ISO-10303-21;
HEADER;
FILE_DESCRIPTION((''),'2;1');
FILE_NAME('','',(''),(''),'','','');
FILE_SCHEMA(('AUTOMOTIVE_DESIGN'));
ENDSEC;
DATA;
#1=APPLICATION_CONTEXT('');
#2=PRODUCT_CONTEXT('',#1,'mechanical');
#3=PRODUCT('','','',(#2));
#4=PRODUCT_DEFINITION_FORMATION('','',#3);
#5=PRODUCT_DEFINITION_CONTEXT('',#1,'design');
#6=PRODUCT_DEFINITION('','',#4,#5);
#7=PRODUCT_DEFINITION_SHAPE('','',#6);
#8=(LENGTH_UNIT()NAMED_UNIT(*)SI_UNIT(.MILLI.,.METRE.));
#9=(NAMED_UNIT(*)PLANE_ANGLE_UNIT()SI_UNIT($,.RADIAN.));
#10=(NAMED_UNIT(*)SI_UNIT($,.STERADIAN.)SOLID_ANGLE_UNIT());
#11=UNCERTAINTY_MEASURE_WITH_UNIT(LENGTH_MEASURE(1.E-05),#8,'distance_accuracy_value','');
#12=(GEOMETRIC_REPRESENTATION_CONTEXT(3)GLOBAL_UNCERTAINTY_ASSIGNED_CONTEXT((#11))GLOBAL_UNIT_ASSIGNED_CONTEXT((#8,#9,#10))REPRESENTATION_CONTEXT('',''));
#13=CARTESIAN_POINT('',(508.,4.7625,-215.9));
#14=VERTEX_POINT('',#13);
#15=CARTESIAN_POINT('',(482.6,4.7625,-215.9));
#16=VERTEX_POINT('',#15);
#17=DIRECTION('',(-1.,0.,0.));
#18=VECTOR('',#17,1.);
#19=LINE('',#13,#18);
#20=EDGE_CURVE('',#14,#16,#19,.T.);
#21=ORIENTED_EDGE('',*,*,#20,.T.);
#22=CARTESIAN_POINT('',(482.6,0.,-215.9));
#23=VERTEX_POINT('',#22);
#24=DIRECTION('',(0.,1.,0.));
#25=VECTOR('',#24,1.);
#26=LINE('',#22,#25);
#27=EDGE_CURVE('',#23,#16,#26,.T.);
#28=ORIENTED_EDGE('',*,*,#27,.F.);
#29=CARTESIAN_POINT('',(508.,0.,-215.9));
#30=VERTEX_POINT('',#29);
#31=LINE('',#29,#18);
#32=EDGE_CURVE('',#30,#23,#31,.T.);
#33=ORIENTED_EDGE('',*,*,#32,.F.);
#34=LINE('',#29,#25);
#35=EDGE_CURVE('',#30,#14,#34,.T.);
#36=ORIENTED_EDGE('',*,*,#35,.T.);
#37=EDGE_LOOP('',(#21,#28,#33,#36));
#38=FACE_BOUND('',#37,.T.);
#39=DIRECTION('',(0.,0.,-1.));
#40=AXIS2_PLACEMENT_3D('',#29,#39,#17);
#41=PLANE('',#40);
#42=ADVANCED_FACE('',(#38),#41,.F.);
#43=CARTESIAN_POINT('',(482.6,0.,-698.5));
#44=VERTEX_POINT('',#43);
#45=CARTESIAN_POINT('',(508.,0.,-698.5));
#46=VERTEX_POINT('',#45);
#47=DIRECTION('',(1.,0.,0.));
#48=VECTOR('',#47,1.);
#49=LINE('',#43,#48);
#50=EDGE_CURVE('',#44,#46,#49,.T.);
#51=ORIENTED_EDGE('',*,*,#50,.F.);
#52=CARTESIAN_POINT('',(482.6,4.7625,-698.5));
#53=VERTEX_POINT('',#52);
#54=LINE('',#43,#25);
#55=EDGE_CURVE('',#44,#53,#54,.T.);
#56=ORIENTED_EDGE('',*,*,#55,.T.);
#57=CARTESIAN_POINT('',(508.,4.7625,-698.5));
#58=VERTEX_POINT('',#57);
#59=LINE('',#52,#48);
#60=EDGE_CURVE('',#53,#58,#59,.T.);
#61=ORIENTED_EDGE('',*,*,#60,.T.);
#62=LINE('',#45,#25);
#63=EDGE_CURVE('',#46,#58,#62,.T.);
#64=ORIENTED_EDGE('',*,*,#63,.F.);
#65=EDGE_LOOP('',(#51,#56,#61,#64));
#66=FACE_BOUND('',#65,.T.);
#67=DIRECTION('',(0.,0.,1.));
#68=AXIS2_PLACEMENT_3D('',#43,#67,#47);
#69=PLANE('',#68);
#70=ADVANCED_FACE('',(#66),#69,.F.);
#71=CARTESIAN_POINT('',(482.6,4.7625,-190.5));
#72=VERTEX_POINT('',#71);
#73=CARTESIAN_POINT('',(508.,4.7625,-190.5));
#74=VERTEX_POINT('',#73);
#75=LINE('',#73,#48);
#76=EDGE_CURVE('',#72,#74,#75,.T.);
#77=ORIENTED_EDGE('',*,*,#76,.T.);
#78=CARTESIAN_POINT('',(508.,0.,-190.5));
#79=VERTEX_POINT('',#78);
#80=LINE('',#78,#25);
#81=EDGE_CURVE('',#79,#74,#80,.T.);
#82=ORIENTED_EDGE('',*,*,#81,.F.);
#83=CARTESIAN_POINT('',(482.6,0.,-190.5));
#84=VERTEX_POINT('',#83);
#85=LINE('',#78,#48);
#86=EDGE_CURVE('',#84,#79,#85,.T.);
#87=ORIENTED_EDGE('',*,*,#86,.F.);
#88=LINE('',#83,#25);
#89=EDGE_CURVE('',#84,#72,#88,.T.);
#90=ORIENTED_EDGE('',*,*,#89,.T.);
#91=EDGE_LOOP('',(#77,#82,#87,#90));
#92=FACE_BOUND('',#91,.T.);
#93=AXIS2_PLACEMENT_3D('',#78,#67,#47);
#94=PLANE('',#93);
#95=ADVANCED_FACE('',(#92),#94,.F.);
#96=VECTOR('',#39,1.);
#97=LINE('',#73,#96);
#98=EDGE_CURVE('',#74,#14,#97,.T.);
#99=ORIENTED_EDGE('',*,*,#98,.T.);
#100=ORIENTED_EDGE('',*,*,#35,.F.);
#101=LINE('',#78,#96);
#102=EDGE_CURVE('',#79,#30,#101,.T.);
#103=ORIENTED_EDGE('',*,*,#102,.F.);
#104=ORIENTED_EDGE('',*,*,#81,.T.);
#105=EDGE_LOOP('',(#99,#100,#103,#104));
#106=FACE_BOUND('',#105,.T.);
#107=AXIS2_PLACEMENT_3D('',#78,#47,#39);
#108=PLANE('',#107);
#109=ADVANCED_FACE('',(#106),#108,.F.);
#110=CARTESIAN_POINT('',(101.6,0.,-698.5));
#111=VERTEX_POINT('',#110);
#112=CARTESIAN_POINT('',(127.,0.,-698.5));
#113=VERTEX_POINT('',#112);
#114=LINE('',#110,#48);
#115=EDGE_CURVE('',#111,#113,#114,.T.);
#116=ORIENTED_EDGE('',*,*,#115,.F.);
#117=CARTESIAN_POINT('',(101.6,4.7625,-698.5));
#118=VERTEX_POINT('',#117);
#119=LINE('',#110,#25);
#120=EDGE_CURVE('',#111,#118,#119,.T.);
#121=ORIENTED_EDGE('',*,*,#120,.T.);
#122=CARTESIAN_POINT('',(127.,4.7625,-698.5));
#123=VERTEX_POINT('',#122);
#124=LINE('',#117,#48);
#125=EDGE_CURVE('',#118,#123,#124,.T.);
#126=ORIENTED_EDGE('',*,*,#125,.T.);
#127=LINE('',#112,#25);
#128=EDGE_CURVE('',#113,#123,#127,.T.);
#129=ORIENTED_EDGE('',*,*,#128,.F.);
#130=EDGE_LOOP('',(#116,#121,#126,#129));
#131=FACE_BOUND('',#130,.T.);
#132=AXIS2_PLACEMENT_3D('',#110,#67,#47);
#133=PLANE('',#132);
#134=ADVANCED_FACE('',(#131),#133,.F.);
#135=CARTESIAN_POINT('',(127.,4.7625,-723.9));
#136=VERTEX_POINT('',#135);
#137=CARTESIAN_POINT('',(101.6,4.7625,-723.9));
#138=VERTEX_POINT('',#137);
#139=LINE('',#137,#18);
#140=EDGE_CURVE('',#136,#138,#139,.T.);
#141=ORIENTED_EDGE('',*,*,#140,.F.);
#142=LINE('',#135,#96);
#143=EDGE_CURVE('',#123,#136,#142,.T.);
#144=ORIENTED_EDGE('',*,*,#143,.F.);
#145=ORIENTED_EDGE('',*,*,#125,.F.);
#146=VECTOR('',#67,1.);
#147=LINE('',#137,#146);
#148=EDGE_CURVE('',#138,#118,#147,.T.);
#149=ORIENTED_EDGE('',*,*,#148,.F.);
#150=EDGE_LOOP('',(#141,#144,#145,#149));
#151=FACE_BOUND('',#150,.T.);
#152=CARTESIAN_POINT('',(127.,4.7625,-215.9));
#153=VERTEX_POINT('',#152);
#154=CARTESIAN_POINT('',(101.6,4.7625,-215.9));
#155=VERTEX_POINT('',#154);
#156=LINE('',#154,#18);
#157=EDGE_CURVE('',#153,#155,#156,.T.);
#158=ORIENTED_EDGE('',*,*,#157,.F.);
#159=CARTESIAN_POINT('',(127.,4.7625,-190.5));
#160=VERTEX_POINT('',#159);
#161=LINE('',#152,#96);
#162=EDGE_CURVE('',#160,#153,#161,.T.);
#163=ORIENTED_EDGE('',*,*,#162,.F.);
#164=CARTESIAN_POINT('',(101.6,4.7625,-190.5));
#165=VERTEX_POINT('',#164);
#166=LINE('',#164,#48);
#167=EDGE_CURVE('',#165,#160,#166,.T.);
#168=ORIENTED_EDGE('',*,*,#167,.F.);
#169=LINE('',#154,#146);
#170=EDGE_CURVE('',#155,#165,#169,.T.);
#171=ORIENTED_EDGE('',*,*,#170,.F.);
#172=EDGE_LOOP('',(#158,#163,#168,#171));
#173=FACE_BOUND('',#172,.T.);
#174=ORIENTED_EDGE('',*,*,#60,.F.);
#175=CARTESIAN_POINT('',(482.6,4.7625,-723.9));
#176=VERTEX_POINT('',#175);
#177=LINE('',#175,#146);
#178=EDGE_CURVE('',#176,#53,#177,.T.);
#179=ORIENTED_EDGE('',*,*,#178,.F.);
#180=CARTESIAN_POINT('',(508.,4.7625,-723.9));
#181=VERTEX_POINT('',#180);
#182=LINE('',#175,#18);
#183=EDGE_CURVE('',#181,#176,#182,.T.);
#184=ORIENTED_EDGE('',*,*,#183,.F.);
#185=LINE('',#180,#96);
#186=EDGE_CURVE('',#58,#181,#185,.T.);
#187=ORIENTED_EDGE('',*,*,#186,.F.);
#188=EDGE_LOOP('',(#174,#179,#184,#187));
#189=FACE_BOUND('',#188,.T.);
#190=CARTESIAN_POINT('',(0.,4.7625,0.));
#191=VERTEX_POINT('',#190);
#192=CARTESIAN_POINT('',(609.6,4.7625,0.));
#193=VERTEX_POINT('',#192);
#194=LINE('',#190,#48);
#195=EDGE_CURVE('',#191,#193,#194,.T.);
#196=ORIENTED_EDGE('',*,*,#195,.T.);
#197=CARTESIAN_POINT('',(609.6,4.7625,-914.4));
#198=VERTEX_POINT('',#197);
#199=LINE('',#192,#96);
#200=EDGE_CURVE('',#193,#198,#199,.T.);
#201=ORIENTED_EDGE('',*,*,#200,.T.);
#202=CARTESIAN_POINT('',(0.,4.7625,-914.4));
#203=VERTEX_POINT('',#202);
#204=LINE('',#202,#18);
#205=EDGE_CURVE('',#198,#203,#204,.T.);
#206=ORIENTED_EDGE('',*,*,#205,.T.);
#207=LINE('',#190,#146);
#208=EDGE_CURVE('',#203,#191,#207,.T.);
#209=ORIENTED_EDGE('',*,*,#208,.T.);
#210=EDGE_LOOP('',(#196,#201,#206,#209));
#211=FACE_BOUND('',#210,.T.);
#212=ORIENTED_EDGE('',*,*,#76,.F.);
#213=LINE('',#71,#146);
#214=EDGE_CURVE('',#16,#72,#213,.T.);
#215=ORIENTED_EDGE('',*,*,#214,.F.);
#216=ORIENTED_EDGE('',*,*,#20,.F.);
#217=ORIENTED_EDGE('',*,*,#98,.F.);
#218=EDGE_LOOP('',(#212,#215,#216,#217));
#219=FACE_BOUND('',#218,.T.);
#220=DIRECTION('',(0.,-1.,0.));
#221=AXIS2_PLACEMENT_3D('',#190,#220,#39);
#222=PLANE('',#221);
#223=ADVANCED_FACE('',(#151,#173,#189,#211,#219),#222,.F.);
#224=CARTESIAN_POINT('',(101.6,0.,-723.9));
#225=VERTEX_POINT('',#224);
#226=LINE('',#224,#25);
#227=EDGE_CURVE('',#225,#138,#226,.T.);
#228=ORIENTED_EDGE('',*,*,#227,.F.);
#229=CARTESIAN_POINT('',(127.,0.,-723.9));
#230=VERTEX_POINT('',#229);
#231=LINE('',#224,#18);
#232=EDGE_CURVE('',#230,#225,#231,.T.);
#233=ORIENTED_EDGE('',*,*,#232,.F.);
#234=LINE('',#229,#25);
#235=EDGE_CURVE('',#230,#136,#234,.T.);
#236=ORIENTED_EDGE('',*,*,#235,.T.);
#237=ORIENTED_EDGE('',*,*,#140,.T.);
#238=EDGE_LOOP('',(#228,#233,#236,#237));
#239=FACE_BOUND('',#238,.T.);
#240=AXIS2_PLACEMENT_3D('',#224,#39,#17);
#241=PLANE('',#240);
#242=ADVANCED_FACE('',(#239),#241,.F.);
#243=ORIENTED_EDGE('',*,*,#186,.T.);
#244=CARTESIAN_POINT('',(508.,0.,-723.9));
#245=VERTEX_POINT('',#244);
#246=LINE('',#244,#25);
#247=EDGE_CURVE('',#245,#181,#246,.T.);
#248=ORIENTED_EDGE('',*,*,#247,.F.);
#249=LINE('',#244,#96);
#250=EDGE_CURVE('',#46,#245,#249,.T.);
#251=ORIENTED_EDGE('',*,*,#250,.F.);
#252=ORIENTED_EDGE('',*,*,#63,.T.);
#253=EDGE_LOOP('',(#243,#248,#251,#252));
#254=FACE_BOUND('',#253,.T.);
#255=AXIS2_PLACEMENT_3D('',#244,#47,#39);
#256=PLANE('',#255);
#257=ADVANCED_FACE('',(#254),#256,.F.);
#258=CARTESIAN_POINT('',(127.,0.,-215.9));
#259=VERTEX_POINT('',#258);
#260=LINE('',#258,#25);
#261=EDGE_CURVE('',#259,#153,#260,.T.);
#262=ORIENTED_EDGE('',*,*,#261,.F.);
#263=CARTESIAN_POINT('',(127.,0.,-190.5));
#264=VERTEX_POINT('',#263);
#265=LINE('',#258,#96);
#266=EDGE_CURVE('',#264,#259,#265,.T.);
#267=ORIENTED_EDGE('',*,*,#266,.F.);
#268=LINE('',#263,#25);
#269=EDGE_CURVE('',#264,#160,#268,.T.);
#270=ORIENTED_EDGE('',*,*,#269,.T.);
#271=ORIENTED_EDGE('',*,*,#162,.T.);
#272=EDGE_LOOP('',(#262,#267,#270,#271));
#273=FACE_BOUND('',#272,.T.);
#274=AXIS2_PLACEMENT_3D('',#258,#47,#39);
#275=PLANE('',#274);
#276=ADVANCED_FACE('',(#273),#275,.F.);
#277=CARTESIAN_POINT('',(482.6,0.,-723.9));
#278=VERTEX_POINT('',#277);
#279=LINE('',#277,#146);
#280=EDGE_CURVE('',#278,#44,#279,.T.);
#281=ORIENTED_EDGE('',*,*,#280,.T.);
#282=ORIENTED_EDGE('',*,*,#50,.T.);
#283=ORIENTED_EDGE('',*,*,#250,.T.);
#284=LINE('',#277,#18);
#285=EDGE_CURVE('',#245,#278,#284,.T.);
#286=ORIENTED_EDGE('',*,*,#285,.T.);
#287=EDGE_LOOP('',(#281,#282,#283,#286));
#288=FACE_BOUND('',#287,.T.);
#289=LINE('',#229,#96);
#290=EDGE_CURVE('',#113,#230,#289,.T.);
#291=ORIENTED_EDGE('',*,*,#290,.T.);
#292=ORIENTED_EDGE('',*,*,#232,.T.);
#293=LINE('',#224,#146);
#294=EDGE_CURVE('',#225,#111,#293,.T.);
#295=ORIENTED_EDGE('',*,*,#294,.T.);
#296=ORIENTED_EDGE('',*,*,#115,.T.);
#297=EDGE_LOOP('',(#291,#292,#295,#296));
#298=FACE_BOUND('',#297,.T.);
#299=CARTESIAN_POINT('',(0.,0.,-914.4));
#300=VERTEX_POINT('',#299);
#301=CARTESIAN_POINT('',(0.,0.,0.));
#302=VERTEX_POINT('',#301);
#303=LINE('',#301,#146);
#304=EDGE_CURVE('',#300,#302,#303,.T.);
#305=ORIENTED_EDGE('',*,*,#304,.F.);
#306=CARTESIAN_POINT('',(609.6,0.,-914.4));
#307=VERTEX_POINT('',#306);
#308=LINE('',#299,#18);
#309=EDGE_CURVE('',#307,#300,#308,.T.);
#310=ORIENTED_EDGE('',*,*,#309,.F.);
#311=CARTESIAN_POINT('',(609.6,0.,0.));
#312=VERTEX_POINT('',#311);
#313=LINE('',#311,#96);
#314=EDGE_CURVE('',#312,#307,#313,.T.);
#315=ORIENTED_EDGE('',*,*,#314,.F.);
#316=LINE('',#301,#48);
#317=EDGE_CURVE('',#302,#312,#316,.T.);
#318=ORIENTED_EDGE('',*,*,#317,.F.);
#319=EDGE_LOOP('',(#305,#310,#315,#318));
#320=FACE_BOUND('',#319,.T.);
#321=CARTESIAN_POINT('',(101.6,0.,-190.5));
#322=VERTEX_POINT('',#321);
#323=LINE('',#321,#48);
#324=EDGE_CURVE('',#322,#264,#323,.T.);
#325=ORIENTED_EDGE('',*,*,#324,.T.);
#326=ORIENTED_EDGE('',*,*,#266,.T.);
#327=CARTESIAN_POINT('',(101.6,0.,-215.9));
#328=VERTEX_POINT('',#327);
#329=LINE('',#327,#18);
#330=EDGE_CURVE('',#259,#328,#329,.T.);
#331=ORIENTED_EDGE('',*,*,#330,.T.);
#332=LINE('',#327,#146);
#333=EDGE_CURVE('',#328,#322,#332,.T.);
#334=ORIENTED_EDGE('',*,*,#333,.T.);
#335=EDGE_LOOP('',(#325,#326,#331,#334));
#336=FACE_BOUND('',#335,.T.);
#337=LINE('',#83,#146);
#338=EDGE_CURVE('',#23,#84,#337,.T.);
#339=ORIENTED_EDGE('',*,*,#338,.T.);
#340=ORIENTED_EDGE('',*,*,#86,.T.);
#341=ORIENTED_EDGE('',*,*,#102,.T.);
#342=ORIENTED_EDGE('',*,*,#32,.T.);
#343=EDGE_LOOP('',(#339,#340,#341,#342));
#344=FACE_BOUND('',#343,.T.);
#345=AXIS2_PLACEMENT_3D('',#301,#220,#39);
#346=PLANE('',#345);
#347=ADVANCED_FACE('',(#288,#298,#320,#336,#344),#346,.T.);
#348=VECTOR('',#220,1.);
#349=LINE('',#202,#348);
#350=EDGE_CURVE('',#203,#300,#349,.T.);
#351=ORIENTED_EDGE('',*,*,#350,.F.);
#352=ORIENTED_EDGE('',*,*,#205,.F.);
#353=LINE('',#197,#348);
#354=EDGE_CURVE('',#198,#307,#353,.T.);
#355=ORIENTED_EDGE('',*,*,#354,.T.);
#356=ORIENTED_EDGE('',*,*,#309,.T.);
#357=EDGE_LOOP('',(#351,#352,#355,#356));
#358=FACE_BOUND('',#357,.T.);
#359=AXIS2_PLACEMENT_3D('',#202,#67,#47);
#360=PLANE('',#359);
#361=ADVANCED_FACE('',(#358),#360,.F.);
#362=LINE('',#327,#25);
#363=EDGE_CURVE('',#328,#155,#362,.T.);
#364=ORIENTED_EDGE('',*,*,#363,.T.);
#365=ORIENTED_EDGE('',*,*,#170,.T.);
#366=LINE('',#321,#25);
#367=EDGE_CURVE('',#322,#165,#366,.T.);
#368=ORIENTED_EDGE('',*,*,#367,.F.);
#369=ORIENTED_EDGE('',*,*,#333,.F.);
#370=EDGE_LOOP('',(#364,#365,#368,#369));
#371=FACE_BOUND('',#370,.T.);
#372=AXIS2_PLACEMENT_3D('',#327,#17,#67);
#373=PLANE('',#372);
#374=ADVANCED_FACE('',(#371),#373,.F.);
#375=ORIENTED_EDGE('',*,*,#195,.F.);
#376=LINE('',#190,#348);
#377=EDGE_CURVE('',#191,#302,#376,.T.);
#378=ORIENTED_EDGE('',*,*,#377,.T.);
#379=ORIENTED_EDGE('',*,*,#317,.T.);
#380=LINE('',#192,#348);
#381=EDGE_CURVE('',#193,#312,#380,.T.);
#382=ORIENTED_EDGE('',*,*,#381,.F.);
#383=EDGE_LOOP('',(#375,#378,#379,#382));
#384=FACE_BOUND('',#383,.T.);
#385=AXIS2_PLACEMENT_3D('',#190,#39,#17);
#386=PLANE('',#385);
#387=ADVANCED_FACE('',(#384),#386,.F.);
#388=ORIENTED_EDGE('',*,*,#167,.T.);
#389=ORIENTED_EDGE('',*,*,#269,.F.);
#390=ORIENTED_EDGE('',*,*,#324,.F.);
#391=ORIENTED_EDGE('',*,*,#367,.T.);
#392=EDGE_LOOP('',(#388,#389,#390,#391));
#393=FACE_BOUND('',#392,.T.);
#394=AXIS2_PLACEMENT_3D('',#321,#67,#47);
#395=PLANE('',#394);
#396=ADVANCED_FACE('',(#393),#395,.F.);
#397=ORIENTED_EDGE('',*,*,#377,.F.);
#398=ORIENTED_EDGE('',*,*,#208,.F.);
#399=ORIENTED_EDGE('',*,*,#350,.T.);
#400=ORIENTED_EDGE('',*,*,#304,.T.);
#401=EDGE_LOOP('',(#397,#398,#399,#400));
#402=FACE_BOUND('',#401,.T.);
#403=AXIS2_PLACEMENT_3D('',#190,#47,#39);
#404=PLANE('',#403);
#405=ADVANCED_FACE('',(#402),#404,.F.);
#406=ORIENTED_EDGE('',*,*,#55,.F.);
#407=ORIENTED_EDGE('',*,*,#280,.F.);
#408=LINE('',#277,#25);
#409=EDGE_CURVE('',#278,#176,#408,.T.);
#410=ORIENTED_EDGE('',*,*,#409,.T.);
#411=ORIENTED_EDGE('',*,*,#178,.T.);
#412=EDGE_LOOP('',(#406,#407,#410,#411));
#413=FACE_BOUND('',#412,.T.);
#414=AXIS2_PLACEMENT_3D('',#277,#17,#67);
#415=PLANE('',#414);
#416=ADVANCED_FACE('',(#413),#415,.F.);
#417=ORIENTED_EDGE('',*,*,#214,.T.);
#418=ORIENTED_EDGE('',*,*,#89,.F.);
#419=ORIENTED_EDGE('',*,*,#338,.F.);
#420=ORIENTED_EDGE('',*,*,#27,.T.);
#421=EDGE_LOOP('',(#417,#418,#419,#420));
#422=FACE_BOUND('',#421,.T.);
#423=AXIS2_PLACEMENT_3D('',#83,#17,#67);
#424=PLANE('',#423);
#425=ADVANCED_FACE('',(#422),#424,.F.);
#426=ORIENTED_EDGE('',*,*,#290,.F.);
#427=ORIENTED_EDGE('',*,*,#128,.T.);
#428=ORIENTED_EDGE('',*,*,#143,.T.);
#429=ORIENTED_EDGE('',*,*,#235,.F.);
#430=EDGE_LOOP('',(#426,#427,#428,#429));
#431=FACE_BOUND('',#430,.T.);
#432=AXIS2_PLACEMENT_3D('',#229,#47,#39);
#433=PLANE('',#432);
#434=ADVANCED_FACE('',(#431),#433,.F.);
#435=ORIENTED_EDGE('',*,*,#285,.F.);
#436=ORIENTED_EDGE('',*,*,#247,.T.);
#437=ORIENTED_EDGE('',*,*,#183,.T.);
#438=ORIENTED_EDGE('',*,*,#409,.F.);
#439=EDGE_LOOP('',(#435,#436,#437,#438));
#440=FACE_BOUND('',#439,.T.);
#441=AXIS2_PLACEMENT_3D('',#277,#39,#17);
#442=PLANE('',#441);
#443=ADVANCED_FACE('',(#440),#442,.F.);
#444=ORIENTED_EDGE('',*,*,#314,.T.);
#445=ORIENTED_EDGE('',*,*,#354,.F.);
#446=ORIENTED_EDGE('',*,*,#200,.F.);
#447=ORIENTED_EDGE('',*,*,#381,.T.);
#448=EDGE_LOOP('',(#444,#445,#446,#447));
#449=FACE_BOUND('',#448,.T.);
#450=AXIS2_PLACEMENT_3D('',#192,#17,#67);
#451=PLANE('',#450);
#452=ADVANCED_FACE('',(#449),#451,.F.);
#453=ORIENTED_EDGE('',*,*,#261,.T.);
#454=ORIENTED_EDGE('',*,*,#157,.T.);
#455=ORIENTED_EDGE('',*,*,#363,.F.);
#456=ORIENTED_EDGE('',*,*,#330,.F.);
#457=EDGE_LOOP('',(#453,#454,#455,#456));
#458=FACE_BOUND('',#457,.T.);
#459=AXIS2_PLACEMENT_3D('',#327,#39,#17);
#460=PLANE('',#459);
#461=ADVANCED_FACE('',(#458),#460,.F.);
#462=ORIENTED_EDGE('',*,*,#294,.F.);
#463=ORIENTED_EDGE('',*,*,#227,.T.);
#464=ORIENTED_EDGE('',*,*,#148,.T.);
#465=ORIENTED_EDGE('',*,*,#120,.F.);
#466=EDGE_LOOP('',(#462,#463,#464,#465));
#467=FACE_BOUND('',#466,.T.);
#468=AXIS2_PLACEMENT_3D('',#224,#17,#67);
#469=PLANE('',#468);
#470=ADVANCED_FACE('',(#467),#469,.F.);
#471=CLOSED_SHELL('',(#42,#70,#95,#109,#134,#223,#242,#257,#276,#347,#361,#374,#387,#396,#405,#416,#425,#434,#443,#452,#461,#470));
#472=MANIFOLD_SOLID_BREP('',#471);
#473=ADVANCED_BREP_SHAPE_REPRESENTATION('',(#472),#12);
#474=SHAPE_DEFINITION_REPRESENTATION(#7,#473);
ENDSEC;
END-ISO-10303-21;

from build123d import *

# Parameters (mm, degrees)
SKETCH1_W           = 609.6
SKETCH1_H           = 914.4
BOSS_EXTRUDE1_DEPTH = 4.7625
SKETCH2_W           = 25.4
SKETCH2_H           = 25.4
CUT_EXTRUDE1_DEPTH  = 5.7625


with BuildPart() as part:
    # Sketch1 → Boss-Extrude1 (new body)
    with BuildSketch(Plane(origin=(0, 0, 0), x_dir=(1, 0, 0), z_dir=(0, 1, 0))):
        with Locations((304.8, 457.2)):
            Rectangle(SKETCH1_W, SKETCH1_H)
    extrude(amount=BOSS_EXTRUDE1_DEPTH)

    # Sketch2 → Cut-Extrude1 (cut, through all)
    with BuildSketch(Plane(origin=(0, 4.7625, 0), x_dir=(1, 0, 0), z_dir=(0, 1, 0))):
        with Locations((114.3, 711.2)):
            Rectangle(SKETCH2_W, SKETCH2_H)
        with Locations((495.3, 711.2)):
            Rectangle(SKETCH2_W, SKETCH2_H)
        with Locations((114.3, 203.2)):
            Rectangle(SKETCH2_W, SKETCH2_H)
        with Locations((495.3, 203.2)):
            Rectangle(SKETCH2_W, SKETCH2_H)
    extrude(amount=-CUT_EXTRUDE1_DEPTH, mode=Mode.SUBTRACT)


solid = part.part
